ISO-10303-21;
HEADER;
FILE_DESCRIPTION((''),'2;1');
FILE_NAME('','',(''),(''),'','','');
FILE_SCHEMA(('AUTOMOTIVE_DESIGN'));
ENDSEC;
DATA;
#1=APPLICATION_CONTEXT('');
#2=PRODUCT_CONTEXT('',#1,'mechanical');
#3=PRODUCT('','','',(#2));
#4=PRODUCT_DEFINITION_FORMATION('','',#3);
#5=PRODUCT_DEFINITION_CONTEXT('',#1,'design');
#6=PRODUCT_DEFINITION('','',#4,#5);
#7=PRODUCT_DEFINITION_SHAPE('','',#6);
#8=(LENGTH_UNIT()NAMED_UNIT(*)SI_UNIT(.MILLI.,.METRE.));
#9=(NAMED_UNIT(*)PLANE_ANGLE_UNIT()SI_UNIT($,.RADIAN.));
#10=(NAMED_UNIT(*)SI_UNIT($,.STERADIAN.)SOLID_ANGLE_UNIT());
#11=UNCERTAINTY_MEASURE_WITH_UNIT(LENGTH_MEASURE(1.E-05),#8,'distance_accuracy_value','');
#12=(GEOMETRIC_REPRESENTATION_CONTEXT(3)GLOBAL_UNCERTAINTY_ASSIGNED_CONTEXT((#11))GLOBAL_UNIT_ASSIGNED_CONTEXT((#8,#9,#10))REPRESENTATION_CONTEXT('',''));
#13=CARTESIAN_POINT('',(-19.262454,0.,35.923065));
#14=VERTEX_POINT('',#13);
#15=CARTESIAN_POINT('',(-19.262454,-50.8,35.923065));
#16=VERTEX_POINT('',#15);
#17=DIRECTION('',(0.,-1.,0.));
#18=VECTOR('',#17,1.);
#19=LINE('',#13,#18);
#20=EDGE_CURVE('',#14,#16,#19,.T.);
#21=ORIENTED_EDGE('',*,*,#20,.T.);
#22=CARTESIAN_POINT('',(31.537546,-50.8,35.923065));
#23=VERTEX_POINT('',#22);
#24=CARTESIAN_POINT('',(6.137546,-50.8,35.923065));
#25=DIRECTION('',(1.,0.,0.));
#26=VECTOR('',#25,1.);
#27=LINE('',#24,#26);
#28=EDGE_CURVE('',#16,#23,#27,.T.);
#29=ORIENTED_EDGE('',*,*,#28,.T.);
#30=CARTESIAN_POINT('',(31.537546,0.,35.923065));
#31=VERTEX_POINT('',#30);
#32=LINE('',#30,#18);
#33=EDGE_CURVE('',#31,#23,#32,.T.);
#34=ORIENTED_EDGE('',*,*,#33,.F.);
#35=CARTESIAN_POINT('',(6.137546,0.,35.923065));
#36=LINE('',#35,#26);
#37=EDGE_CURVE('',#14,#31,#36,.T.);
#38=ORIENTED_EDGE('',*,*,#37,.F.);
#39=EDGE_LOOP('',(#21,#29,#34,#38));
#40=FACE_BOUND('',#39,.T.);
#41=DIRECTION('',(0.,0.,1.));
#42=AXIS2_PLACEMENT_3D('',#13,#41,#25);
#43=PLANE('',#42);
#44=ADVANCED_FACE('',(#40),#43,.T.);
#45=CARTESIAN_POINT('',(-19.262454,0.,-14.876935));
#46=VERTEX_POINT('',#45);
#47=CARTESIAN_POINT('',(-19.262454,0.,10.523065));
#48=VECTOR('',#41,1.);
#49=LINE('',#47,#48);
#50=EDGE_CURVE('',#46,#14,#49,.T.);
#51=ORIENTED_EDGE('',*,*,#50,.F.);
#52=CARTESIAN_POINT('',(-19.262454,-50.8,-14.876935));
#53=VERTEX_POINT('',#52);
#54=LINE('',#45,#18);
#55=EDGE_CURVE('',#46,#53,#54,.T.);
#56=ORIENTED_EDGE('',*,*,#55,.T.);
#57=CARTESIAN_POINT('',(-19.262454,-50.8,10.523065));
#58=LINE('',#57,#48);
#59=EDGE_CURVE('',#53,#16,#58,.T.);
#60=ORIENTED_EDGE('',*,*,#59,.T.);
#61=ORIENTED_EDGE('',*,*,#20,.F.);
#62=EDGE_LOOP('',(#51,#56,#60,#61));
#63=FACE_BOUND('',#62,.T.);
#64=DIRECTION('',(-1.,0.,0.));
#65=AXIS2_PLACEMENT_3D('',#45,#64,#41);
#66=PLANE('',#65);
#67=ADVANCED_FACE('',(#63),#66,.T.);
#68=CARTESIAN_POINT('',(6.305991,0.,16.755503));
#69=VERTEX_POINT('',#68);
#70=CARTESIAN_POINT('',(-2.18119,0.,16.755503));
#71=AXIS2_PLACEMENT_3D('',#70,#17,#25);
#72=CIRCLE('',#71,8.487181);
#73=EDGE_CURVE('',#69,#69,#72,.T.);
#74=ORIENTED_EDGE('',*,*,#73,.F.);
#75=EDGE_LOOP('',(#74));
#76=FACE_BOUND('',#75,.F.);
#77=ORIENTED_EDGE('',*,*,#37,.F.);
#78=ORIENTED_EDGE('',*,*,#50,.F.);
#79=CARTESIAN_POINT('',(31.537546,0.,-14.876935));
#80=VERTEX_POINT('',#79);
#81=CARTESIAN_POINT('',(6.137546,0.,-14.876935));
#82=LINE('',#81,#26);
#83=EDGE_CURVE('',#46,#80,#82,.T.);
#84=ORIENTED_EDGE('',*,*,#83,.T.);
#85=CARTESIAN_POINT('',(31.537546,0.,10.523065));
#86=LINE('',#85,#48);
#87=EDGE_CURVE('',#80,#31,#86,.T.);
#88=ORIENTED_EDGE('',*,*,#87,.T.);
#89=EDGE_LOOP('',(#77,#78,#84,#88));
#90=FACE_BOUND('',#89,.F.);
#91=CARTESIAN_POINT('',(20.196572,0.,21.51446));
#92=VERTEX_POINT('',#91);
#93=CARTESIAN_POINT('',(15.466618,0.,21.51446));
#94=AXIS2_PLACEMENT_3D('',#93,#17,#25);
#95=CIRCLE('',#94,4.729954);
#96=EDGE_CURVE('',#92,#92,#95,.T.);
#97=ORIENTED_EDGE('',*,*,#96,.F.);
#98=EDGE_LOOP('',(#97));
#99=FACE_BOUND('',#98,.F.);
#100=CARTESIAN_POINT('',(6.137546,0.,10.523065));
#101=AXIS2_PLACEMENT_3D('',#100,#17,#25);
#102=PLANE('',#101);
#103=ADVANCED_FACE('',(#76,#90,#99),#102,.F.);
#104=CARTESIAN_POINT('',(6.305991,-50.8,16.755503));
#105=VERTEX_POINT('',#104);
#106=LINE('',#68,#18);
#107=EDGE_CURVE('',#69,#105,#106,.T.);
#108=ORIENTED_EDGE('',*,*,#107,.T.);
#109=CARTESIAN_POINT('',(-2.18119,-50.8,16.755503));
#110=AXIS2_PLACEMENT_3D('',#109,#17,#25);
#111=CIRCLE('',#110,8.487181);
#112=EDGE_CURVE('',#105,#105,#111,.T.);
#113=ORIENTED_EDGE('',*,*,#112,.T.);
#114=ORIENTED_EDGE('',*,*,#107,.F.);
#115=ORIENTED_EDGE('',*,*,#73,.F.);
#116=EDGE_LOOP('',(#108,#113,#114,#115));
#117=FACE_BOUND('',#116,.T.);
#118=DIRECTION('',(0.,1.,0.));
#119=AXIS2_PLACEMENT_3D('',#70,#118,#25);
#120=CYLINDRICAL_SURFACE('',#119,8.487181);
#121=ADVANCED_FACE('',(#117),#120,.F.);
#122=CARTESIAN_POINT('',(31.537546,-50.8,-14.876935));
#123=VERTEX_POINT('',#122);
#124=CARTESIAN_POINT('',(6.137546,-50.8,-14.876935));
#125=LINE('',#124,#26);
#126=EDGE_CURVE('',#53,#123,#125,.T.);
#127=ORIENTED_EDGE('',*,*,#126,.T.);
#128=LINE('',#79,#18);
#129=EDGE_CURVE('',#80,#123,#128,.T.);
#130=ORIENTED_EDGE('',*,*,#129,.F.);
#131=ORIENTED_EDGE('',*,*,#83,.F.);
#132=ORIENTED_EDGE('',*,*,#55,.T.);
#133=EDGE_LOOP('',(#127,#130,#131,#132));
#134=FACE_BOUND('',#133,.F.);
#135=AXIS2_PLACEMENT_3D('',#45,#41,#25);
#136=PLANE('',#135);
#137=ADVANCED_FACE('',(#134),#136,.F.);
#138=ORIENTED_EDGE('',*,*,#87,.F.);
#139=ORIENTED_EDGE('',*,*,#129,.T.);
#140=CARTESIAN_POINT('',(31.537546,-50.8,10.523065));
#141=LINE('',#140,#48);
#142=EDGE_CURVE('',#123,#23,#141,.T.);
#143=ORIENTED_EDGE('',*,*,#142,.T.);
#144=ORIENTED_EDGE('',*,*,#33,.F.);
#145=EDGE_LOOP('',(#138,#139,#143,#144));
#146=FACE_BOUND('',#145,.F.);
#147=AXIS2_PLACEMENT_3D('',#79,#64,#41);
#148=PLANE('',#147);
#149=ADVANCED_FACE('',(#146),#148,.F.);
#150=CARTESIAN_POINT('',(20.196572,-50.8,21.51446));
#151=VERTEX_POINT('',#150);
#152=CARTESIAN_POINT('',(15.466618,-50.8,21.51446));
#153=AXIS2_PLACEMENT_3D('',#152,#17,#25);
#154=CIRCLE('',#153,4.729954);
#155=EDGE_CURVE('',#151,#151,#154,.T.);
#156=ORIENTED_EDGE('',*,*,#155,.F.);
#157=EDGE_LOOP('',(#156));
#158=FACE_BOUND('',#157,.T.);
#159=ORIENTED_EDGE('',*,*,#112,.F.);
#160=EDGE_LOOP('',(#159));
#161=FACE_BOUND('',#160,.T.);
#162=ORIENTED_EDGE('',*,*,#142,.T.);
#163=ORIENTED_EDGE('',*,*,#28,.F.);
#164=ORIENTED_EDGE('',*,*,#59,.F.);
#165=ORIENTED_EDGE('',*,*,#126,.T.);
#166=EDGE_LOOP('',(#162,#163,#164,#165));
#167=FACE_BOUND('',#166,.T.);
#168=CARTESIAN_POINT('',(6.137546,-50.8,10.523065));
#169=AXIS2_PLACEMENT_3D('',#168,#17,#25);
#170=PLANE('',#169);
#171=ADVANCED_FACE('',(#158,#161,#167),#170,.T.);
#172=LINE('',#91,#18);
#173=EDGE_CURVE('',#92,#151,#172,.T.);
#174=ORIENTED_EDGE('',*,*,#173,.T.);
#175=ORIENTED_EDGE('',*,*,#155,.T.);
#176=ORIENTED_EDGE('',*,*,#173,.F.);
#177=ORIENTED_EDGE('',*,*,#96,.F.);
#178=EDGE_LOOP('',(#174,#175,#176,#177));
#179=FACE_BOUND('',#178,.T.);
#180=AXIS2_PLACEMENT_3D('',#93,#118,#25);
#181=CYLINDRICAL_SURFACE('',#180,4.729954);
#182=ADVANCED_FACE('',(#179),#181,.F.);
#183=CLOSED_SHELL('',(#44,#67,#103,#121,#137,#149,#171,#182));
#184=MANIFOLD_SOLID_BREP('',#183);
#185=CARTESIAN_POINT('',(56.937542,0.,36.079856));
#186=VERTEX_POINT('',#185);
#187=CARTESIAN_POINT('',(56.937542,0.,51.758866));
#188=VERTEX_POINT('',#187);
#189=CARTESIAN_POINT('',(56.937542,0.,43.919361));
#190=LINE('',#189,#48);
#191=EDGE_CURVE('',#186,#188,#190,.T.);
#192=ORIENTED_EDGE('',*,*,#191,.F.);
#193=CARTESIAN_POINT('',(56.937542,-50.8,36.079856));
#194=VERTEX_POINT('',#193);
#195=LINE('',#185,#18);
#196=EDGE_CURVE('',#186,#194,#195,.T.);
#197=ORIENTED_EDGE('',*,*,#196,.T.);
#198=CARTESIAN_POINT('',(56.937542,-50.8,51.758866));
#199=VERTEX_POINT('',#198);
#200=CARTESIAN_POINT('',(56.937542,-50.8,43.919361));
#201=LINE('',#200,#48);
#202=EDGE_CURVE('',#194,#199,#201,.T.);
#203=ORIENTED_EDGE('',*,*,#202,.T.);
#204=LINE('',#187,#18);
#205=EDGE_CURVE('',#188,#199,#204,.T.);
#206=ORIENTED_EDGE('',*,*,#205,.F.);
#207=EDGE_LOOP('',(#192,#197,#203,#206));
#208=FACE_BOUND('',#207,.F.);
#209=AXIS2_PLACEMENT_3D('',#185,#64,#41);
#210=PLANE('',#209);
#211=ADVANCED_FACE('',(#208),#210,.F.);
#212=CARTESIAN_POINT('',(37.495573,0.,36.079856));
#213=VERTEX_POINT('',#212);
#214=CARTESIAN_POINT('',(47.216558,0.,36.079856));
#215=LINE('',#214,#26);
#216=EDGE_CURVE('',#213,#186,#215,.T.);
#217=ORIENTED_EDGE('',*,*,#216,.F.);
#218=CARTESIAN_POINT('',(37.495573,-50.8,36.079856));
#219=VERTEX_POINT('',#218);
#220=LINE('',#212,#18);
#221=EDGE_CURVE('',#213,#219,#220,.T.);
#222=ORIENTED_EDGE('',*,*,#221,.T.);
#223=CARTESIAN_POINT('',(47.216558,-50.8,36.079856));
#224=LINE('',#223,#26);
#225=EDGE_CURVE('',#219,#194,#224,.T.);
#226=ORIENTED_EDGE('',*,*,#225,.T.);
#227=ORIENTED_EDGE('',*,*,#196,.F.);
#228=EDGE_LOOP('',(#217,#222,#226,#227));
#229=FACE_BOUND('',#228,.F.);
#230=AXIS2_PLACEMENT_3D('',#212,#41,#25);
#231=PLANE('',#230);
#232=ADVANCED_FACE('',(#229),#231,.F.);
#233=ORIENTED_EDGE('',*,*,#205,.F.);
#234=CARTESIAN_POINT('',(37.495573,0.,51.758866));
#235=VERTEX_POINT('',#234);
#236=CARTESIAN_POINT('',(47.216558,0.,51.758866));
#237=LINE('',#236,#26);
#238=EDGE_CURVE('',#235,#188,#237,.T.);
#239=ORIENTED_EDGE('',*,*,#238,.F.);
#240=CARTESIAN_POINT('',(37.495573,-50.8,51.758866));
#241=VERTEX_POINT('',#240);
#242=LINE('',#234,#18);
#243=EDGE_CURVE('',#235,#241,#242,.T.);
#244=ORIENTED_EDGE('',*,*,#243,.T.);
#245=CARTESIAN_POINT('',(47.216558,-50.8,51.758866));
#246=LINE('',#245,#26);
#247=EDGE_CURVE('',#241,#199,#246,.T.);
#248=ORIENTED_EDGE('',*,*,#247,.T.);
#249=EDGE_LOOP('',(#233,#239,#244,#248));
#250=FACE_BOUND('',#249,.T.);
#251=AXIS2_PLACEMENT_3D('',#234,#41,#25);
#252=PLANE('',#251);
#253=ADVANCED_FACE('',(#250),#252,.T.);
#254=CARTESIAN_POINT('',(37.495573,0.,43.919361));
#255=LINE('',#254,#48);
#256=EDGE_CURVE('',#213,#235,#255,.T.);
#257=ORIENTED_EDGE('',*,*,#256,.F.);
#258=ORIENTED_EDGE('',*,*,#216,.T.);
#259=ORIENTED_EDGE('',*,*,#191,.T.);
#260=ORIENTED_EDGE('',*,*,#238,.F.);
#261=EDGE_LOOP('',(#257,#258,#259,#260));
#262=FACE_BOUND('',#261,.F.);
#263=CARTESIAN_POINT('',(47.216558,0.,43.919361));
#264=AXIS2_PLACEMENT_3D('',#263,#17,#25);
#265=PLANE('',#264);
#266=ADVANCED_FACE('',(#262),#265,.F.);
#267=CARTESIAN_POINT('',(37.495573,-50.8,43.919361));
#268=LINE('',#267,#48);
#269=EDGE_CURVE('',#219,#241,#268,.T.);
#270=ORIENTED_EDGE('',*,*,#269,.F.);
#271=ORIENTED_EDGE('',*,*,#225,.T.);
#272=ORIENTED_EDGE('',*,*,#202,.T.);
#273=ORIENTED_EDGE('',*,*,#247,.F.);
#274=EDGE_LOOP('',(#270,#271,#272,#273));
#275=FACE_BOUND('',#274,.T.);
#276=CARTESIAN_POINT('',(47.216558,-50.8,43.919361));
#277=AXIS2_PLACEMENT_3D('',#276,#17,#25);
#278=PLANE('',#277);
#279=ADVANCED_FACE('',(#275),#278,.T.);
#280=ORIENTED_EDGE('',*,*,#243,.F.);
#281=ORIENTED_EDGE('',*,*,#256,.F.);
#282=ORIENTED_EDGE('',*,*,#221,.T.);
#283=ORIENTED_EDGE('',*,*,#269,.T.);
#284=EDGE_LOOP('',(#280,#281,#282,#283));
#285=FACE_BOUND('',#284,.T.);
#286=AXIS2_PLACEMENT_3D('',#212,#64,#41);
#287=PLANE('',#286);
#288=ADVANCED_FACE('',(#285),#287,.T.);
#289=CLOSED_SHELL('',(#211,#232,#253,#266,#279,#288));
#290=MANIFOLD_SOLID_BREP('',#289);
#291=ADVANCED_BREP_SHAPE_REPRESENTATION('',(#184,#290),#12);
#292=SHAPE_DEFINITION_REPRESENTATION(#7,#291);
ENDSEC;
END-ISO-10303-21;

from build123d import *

# Parameters (mm, degrees)
F0_W     = 19.441969
F0_H     = 15.67901
F0_W_2   = 50.8
F0_H_2   = 50.8
F0_R     = 8.487181
F0_R_2   = 4.729954
F1_DEPTH = 50.8


with BuildPart() as f1:
    # F0 (on Front) → F1 (new body)
    with BuildSketch(Plane.XZ):
        with Locations((47.216558, 43.919361)):
            Rectangle(F0_W, F0_H)
        with Locations((6.137546, 10.523065)):
            Rectangle(F0_W_2, F0_H_2)
        with Locations((-2.18119, 16.755503)):
            Circle(F0_R, mode=Mode.SUBTRACT)
        with Locations((15.466618, 21.51446)):
            Circle(F0_R_2, mode=Mode.SUBTRACT)
    extrude(amount=F1_DEPTH)


solid = f1.part
